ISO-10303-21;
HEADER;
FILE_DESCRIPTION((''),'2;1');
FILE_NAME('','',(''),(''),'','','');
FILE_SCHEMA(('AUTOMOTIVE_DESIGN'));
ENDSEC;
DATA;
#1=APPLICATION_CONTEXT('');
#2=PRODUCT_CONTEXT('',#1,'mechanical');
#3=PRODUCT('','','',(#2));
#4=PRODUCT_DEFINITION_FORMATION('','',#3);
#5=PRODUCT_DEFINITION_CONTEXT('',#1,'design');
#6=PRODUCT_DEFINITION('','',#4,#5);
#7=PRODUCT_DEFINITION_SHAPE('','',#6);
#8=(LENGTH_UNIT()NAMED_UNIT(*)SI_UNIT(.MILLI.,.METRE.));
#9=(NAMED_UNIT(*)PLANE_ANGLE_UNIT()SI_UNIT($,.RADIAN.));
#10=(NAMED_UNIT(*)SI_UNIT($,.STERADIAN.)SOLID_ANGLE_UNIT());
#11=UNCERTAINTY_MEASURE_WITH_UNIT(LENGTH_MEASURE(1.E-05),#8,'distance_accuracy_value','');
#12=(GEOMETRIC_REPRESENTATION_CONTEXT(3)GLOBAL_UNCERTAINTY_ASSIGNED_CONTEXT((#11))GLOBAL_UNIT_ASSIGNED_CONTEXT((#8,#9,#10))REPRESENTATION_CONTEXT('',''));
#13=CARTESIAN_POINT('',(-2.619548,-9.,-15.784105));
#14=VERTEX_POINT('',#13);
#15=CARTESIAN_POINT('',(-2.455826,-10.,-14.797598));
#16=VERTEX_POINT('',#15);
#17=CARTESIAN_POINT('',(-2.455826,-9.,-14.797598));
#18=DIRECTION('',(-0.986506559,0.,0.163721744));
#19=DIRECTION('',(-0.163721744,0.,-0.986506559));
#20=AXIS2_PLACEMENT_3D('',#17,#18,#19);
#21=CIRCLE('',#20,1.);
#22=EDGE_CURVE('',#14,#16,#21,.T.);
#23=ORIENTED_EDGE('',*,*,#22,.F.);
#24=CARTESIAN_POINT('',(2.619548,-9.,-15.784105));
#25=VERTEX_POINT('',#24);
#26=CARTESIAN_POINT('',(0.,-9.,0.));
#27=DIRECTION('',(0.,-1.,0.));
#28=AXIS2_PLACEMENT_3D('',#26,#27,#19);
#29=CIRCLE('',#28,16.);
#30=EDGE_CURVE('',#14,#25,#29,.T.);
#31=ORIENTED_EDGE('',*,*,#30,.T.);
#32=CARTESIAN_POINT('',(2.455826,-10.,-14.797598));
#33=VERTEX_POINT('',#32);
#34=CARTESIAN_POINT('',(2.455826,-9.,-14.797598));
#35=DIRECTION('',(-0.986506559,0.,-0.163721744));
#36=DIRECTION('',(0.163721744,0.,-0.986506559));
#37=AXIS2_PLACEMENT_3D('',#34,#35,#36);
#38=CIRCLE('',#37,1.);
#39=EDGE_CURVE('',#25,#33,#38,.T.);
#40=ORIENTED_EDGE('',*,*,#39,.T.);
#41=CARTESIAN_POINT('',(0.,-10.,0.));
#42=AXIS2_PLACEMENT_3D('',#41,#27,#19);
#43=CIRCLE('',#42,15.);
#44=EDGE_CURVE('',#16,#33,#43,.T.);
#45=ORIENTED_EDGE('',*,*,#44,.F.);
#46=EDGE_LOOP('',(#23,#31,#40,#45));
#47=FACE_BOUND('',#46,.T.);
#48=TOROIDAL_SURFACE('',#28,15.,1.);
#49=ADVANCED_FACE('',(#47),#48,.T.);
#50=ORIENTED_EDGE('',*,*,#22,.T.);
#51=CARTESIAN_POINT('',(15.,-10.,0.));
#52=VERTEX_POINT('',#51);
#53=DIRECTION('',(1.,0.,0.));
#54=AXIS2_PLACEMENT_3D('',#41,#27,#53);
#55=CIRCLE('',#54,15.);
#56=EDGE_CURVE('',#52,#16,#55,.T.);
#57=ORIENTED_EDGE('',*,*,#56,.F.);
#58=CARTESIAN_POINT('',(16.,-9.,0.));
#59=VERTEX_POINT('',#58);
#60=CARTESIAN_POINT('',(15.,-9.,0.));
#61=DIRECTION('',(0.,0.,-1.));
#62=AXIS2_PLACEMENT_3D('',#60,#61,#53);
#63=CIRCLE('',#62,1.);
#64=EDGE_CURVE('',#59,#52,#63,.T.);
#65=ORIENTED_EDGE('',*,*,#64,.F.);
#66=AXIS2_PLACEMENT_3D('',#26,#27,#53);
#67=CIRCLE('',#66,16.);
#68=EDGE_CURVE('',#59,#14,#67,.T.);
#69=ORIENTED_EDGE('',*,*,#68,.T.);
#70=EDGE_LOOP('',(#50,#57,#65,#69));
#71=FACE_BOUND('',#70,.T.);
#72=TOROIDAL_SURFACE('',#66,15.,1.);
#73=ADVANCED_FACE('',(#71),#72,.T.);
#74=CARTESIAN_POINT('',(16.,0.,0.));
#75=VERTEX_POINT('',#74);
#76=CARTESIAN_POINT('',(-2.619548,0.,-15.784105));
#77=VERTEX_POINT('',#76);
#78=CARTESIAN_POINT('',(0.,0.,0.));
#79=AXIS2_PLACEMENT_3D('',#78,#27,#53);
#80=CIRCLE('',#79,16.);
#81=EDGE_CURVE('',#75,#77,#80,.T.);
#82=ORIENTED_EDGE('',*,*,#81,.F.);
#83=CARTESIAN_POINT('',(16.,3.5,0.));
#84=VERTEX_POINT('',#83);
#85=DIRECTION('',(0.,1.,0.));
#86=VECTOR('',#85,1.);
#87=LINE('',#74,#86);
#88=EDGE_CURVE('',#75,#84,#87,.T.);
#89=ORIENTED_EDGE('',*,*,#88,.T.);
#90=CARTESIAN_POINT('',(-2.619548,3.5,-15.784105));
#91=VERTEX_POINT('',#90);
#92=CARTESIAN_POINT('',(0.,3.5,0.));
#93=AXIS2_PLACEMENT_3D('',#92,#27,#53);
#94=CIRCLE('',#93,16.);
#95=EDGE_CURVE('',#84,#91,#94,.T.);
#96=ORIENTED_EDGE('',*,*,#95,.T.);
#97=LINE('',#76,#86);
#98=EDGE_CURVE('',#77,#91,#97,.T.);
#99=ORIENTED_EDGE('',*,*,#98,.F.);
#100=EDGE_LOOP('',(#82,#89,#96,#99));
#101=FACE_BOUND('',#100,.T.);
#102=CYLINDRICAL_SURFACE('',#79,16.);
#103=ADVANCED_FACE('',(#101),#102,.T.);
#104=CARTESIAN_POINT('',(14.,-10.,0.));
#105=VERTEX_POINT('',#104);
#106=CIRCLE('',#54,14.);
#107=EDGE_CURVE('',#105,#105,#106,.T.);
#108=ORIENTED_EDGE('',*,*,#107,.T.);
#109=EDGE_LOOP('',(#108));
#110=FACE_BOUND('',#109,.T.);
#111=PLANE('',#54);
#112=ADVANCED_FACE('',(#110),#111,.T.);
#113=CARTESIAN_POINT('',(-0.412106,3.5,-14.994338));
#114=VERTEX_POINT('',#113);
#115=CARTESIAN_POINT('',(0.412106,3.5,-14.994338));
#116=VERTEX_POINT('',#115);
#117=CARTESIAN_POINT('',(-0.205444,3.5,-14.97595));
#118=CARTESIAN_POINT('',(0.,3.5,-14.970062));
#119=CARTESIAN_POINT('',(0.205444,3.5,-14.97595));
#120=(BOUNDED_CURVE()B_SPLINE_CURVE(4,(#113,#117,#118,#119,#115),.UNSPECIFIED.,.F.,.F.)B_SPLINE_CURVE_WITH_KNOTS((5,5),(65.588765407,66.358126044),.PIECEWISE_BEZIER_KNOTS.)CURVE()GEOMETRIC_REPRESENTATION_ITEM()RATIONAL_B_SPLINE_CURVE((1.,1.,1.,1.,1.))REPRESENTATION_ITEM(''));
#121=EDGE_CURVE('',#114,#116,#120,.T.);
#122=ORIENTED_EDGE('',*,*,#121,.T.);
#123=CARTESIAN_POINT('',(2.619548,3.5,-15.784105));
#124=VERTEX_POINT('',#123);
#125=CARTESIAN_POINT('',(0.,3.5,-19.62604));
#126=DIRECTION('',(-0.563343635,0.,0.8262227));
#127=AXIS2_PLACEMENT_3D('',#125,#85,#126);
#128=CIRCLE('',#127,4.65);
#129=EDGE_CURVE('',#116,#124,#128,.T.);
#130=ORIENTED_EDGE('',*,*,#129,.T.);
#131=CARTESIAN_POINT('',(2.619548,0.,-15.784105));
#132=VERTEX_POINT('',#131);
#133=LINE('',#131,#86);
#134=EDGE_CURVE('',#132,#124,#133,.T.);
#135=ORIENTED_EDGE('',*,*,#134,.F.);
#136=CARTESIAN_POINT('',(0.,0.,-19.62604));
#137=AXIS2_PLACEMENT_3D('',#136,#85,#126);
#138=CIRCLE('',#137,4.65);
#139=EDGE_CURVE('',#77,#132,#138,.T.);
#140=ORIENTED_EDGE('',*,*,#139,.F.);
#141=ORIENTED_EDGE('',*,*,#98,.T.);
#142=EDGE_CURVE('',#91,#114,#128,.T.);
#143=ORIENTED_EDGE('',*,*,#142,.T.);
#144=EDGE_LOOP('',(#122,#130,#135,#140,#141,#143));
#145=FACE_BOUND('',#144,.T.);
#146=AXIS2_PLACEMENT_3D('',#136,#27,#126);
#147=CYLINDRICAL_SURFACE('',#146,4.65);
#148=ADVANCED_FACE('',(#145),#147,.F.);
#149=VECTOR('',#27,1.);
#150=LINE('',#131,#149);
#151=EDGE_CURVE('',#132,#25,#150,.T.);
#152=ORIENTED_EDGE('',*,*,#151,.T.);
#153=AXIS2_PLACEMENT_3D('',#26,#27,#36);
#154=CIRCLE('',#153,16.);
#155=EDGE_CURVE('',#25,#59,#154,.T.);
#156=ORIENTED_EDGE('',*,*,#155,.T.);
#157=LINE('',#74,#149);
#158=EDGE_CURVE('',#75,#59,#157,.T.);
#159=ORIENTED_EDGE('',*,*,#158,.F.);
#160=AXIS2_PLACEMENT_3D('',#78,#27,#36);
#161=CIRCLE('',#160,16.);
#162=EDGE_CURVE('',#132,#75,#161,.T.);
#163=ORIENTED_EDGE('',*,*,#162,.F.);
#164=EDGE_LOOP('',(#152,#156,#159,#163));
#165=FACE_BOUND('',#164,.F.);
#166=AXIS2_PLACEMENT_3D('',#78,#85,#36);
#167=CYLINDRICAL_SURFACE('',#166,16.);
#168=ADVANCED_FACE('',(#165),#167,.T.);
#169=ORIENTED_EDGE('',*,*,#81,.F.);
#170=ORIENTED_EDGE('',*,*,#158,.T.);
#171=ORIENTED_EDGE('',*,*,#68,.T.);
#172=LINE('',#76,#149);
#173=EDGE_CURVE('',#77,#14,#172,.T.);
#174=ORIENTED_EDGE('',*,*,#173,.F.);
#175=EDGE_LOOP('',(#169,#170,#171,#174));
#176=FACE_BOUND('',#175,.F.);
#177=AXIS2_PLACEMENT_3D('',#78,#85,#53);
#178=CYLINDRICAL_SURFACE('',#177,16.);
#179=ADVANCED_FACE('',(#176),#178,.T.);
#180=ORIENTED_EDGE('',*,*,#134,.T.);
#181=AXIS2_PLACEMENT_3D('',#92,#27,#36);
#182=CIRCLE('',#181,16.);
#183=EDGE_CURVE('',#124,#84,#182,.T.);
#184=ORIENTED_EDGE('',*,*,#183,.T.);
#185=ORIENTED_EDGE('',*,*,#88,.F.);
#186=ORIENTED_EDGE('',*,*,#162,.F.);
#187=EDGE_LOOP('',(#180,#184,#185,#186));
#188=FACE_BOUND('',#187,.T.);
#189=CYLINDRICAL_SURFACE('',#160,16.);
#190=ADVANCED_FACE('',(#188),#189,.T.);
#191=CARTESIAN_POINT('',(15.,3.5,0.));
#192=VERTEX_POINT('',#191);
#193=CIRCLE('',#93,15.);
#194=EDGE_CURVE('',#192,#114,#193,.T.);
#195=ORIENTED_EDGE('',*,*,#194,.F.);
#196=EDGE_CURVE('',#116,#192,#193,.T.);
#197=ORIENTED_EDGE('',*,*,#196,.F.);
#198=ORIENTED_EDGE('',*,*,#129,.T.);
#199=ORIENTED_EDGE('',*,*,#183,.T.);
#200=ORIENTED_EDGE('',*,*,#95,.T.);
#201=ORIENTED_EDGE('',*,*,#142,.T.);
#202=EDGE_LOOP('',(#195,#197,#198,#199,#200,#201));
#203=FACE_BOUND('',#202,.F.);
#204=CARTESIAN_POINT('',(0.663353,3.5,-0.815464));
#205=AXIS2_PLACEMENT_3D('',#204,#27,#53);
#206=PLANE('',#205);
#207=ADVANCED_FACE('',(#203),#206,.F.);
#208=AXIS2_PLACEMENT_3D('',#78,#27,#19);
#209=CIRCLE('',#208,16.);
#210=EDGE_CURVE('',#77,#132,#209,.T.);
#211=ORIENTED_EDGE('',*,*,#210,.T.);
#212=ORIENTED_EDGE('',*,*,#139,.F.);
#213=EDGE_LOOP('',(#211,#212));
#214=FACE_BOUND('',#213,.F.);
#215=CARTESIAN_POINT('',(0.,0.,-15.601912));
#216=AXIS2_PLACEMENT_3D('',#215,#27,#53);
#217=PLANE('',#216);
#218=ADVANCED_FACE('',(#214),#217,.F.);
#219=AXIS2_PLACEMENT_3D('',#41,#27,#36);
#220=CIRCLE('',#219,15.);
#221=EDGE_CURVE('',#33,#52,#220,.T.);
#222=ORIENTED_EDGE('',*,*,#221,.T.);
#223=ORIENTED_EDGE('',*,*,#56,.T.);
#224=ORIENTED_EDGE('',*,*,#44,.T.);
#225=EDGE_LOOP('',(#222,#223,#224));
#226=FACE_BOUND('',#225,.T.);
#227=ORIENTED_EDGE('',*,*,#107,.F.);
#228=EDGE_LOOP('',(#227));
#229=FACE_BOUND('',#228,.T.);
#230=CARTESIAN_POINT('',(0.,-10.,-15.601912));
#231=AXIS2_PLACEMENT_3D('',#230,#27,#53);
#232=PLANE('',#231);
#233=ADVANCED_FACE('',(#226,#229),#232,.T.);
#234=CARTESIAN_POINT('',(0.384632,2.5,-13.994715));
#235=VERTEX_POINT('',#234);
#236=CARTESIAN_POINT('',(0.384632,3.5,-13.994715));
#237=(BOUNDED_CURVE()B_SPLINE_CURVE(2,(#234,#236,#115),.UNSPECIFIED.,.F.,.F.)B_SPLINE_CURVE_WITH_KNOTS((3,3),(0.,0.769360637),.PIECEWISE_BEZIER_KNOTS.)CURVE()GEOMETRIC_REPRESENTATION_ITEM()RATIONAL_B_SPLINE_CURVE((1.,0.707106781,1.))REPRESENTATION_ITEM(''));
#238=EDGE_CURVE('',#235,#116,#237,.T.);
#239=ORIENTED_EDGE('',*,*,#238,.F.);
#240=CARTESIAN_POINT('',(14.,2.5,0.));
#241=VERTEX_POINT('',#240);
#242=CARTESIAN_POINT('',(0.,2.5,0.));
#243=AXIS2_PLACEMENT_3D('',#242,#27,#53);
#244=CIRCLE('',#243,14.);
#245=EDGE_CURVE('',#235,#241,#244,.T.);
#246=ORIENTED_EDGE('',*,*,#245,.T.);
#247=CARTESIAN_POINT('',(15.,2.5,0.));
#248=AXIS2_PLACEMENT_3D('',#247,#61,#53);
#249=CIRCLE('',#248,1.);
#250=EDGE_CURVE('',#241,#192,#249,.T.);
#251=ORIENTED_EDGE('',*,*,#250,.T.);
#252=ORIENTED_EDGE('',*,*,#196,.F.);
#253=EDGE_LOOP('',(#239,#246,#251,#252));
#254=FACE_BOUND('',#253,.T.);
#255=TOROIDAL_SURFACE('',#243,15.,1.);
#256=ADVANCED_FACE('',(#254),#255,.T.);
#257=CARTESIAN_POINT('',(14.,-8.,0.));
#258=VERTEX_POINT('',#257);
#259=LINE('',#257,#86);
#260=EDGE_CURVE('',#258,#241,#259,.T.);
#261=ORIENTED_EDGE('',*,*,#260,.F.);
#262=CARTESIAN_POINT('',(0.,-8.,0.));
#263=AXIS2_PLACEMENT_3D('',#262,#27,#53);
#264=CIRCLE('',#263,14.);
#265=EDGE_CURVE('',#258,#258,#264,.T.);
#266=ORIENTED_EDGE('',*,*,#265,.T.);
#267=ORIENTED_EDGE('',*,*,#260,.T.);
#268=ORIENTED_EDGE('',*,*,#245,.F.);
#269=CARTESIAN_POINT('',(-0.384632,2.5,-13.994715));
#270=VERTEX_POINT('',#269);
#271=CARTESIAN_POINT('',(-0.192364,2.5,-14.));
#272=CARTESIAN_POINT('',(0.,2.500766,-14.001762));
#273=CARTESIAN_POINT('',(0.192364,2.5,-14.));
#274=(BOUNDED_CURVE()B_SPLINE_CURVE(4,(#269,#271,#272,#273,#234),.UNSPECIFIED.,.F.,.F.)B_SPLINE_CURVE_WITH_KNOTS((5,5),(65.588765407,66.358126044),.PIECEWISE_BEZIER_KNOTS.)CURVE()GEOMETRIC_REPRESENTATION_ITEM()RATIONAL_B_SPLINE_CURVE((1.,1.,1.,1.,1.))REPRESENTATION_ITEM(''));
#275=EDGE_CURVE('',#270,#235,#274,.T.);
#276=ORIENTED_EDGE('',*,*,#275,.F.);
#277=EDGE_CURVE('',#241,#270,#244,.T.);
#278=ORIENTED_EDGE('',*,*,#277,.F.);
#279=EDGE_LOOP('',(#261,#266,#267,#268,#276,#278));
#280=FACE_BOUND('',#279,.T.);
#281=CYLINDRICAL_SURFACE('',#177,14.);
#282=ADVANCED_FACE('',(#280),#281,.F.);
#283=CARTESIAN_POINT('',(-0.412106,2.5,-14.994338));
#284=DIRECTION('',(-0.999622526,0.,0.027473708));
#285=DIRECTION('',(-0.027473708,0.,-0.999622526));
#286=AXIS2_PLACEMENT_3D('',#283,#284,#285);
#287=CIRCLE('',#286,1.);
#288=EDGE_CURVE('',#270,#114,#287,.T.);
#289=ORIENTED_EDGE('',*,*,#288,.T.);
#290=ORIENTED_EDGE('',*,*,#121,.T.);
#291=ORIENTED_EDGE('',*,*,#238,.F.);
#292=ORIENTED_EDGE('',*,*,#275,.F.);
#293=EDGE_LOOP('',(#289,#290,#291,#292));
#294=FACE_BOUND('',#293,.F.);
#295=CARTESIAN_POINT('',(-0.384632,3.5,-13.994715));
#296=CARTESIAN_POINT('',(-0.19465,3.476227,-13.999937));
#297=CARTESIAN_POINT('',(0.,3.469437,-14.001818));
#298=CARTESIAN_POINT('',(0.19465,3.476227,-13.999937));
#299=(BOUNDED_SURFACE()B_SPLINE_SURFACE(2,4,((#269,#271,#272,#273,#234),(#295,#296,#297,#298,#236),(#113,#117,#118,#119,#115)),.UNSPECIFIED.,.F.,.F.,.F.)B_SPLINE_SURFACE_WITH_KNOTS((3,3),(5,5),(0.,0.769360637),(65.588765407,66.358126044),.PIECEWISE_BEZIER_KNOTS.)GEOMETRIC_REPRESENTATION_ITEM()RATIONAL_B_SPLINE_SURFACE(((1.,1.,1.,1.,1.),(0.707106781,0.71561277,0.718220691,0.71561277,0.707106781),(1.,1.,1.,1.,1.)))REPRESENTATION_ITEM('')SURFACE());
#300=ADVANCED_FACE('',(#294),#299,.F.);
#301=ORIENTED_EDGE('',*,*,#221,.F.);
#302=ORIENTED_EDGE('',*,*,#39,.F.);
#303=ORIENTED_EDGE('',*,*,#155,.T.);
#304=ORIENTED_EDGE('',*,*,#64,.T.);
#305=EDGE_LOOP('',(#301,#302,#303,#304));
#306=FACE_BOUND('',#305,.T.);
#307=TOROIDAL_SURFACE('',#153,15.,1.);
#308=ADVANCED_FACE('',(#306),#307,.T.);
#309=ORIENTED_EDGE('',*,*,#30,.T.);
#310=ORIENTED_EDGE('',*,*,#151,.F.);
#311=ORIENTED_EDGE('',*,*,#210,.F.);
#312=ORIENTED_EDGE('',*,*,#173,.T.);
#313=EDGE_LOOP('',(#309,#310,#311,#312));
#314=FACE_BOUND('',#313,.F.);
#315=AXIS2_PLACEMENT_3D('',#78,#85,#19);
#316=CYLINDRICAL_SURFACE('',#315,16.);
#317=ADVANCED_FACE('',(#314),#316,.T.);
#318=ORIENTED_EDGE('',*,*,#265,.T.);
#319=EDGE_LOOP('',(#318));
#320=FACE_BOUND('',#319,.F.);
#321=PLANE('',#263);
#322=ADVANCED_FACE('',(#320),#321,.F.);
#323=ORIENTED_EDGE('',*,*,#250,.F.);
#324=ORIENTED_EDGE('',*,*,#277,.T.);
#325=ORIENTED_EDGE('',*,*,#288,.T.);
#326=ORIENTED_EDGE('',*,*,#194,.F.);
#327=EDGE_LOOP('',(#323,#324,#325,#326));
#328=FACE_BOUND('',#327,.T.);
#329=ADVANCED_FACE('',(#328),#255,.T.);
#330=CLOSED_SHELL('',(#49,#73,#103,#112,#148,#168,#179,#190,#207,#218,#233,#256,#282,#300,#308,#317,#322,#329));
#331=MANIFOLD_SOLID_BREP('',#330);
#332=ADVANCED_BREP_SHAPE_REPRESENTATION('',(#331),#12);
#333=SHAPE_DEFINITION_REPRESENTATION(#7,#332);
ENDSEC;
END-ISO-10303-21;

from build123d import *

# Parameters (mm, degrees)
F0_R     = 14
F1_DEPTH = 3.5
F2_DEPTH = 10
F3_START = 8
F3_DEPTH = 2
F4_R     = 1


with BuildPart() as f1:
    # F0 (on Front) → F1 (new body)
    with BuildSketch(Plane.XZ):
        with BuildLine():
            ThreePointArc((2.6195479008, -15.7841049412), (12.2047688715, -10.3461885153), (16, 0))
            ThreePointArc((16, 0), (-10.3461885153, 12.2047688715), (-2.6195479008, -15.7841049412))
            ThreePointArc((-2.6195479008, -15.7841049412), (0, -14.9760404944), (2.6195479008, -15.7841049412))
        make_face()
        Circle(F0_R, mode=Mode.SUBTRACT)
    extrude(amount=-F1_DEPTH)

    # F0 (on Front) → F2 (join)
    with BuildSketch(Plane.XZ):
        with BuildLine():
            ThreePointArc((2.6195479008, -15.7841049412), (0, -14.9760404944), (-2.6195479008, -15.7841049412))
            ThreePointArc((-2.6195479008, -15.7841049412), (0, -16), (2.6195479008, -15.7841049412))
        make_face()
        with BuildLine():
            ThreePointArc((2.6195479008, -15.7841049412), (12.2047688715, -10.3461885153), (16, 0))
            ThreePointArc((16, 0), (-10.3461885153, 12.2047688715), (-2.6195479008, -15.7841049412))
            ThreePointArc((-2.6195479008, -15.7841049412), (0, -14.9760404944), (2.6195479008, -15.7841049412))
        make_face()
        Circle(F0_R, mode=Mode.SUBTRACT)
    extrude(amount=F2_DEPTH)

    # F0 (on Front) → F3 (join)
    with BuildSketch(Plane.XZ.offset(F3_START)):
        Circle(F0_R)
    extrude(amount=F3_DEPTH)

    # F4
    f4_edges = [f1.edges().sort_by_distance(p)[0] for p in [
        (-2.619548, -10, 15.784105),
        (-14, 3.5, 0),
    ]]
    fillet(f4_edges, radius=F4_R)


solid = f1.part
